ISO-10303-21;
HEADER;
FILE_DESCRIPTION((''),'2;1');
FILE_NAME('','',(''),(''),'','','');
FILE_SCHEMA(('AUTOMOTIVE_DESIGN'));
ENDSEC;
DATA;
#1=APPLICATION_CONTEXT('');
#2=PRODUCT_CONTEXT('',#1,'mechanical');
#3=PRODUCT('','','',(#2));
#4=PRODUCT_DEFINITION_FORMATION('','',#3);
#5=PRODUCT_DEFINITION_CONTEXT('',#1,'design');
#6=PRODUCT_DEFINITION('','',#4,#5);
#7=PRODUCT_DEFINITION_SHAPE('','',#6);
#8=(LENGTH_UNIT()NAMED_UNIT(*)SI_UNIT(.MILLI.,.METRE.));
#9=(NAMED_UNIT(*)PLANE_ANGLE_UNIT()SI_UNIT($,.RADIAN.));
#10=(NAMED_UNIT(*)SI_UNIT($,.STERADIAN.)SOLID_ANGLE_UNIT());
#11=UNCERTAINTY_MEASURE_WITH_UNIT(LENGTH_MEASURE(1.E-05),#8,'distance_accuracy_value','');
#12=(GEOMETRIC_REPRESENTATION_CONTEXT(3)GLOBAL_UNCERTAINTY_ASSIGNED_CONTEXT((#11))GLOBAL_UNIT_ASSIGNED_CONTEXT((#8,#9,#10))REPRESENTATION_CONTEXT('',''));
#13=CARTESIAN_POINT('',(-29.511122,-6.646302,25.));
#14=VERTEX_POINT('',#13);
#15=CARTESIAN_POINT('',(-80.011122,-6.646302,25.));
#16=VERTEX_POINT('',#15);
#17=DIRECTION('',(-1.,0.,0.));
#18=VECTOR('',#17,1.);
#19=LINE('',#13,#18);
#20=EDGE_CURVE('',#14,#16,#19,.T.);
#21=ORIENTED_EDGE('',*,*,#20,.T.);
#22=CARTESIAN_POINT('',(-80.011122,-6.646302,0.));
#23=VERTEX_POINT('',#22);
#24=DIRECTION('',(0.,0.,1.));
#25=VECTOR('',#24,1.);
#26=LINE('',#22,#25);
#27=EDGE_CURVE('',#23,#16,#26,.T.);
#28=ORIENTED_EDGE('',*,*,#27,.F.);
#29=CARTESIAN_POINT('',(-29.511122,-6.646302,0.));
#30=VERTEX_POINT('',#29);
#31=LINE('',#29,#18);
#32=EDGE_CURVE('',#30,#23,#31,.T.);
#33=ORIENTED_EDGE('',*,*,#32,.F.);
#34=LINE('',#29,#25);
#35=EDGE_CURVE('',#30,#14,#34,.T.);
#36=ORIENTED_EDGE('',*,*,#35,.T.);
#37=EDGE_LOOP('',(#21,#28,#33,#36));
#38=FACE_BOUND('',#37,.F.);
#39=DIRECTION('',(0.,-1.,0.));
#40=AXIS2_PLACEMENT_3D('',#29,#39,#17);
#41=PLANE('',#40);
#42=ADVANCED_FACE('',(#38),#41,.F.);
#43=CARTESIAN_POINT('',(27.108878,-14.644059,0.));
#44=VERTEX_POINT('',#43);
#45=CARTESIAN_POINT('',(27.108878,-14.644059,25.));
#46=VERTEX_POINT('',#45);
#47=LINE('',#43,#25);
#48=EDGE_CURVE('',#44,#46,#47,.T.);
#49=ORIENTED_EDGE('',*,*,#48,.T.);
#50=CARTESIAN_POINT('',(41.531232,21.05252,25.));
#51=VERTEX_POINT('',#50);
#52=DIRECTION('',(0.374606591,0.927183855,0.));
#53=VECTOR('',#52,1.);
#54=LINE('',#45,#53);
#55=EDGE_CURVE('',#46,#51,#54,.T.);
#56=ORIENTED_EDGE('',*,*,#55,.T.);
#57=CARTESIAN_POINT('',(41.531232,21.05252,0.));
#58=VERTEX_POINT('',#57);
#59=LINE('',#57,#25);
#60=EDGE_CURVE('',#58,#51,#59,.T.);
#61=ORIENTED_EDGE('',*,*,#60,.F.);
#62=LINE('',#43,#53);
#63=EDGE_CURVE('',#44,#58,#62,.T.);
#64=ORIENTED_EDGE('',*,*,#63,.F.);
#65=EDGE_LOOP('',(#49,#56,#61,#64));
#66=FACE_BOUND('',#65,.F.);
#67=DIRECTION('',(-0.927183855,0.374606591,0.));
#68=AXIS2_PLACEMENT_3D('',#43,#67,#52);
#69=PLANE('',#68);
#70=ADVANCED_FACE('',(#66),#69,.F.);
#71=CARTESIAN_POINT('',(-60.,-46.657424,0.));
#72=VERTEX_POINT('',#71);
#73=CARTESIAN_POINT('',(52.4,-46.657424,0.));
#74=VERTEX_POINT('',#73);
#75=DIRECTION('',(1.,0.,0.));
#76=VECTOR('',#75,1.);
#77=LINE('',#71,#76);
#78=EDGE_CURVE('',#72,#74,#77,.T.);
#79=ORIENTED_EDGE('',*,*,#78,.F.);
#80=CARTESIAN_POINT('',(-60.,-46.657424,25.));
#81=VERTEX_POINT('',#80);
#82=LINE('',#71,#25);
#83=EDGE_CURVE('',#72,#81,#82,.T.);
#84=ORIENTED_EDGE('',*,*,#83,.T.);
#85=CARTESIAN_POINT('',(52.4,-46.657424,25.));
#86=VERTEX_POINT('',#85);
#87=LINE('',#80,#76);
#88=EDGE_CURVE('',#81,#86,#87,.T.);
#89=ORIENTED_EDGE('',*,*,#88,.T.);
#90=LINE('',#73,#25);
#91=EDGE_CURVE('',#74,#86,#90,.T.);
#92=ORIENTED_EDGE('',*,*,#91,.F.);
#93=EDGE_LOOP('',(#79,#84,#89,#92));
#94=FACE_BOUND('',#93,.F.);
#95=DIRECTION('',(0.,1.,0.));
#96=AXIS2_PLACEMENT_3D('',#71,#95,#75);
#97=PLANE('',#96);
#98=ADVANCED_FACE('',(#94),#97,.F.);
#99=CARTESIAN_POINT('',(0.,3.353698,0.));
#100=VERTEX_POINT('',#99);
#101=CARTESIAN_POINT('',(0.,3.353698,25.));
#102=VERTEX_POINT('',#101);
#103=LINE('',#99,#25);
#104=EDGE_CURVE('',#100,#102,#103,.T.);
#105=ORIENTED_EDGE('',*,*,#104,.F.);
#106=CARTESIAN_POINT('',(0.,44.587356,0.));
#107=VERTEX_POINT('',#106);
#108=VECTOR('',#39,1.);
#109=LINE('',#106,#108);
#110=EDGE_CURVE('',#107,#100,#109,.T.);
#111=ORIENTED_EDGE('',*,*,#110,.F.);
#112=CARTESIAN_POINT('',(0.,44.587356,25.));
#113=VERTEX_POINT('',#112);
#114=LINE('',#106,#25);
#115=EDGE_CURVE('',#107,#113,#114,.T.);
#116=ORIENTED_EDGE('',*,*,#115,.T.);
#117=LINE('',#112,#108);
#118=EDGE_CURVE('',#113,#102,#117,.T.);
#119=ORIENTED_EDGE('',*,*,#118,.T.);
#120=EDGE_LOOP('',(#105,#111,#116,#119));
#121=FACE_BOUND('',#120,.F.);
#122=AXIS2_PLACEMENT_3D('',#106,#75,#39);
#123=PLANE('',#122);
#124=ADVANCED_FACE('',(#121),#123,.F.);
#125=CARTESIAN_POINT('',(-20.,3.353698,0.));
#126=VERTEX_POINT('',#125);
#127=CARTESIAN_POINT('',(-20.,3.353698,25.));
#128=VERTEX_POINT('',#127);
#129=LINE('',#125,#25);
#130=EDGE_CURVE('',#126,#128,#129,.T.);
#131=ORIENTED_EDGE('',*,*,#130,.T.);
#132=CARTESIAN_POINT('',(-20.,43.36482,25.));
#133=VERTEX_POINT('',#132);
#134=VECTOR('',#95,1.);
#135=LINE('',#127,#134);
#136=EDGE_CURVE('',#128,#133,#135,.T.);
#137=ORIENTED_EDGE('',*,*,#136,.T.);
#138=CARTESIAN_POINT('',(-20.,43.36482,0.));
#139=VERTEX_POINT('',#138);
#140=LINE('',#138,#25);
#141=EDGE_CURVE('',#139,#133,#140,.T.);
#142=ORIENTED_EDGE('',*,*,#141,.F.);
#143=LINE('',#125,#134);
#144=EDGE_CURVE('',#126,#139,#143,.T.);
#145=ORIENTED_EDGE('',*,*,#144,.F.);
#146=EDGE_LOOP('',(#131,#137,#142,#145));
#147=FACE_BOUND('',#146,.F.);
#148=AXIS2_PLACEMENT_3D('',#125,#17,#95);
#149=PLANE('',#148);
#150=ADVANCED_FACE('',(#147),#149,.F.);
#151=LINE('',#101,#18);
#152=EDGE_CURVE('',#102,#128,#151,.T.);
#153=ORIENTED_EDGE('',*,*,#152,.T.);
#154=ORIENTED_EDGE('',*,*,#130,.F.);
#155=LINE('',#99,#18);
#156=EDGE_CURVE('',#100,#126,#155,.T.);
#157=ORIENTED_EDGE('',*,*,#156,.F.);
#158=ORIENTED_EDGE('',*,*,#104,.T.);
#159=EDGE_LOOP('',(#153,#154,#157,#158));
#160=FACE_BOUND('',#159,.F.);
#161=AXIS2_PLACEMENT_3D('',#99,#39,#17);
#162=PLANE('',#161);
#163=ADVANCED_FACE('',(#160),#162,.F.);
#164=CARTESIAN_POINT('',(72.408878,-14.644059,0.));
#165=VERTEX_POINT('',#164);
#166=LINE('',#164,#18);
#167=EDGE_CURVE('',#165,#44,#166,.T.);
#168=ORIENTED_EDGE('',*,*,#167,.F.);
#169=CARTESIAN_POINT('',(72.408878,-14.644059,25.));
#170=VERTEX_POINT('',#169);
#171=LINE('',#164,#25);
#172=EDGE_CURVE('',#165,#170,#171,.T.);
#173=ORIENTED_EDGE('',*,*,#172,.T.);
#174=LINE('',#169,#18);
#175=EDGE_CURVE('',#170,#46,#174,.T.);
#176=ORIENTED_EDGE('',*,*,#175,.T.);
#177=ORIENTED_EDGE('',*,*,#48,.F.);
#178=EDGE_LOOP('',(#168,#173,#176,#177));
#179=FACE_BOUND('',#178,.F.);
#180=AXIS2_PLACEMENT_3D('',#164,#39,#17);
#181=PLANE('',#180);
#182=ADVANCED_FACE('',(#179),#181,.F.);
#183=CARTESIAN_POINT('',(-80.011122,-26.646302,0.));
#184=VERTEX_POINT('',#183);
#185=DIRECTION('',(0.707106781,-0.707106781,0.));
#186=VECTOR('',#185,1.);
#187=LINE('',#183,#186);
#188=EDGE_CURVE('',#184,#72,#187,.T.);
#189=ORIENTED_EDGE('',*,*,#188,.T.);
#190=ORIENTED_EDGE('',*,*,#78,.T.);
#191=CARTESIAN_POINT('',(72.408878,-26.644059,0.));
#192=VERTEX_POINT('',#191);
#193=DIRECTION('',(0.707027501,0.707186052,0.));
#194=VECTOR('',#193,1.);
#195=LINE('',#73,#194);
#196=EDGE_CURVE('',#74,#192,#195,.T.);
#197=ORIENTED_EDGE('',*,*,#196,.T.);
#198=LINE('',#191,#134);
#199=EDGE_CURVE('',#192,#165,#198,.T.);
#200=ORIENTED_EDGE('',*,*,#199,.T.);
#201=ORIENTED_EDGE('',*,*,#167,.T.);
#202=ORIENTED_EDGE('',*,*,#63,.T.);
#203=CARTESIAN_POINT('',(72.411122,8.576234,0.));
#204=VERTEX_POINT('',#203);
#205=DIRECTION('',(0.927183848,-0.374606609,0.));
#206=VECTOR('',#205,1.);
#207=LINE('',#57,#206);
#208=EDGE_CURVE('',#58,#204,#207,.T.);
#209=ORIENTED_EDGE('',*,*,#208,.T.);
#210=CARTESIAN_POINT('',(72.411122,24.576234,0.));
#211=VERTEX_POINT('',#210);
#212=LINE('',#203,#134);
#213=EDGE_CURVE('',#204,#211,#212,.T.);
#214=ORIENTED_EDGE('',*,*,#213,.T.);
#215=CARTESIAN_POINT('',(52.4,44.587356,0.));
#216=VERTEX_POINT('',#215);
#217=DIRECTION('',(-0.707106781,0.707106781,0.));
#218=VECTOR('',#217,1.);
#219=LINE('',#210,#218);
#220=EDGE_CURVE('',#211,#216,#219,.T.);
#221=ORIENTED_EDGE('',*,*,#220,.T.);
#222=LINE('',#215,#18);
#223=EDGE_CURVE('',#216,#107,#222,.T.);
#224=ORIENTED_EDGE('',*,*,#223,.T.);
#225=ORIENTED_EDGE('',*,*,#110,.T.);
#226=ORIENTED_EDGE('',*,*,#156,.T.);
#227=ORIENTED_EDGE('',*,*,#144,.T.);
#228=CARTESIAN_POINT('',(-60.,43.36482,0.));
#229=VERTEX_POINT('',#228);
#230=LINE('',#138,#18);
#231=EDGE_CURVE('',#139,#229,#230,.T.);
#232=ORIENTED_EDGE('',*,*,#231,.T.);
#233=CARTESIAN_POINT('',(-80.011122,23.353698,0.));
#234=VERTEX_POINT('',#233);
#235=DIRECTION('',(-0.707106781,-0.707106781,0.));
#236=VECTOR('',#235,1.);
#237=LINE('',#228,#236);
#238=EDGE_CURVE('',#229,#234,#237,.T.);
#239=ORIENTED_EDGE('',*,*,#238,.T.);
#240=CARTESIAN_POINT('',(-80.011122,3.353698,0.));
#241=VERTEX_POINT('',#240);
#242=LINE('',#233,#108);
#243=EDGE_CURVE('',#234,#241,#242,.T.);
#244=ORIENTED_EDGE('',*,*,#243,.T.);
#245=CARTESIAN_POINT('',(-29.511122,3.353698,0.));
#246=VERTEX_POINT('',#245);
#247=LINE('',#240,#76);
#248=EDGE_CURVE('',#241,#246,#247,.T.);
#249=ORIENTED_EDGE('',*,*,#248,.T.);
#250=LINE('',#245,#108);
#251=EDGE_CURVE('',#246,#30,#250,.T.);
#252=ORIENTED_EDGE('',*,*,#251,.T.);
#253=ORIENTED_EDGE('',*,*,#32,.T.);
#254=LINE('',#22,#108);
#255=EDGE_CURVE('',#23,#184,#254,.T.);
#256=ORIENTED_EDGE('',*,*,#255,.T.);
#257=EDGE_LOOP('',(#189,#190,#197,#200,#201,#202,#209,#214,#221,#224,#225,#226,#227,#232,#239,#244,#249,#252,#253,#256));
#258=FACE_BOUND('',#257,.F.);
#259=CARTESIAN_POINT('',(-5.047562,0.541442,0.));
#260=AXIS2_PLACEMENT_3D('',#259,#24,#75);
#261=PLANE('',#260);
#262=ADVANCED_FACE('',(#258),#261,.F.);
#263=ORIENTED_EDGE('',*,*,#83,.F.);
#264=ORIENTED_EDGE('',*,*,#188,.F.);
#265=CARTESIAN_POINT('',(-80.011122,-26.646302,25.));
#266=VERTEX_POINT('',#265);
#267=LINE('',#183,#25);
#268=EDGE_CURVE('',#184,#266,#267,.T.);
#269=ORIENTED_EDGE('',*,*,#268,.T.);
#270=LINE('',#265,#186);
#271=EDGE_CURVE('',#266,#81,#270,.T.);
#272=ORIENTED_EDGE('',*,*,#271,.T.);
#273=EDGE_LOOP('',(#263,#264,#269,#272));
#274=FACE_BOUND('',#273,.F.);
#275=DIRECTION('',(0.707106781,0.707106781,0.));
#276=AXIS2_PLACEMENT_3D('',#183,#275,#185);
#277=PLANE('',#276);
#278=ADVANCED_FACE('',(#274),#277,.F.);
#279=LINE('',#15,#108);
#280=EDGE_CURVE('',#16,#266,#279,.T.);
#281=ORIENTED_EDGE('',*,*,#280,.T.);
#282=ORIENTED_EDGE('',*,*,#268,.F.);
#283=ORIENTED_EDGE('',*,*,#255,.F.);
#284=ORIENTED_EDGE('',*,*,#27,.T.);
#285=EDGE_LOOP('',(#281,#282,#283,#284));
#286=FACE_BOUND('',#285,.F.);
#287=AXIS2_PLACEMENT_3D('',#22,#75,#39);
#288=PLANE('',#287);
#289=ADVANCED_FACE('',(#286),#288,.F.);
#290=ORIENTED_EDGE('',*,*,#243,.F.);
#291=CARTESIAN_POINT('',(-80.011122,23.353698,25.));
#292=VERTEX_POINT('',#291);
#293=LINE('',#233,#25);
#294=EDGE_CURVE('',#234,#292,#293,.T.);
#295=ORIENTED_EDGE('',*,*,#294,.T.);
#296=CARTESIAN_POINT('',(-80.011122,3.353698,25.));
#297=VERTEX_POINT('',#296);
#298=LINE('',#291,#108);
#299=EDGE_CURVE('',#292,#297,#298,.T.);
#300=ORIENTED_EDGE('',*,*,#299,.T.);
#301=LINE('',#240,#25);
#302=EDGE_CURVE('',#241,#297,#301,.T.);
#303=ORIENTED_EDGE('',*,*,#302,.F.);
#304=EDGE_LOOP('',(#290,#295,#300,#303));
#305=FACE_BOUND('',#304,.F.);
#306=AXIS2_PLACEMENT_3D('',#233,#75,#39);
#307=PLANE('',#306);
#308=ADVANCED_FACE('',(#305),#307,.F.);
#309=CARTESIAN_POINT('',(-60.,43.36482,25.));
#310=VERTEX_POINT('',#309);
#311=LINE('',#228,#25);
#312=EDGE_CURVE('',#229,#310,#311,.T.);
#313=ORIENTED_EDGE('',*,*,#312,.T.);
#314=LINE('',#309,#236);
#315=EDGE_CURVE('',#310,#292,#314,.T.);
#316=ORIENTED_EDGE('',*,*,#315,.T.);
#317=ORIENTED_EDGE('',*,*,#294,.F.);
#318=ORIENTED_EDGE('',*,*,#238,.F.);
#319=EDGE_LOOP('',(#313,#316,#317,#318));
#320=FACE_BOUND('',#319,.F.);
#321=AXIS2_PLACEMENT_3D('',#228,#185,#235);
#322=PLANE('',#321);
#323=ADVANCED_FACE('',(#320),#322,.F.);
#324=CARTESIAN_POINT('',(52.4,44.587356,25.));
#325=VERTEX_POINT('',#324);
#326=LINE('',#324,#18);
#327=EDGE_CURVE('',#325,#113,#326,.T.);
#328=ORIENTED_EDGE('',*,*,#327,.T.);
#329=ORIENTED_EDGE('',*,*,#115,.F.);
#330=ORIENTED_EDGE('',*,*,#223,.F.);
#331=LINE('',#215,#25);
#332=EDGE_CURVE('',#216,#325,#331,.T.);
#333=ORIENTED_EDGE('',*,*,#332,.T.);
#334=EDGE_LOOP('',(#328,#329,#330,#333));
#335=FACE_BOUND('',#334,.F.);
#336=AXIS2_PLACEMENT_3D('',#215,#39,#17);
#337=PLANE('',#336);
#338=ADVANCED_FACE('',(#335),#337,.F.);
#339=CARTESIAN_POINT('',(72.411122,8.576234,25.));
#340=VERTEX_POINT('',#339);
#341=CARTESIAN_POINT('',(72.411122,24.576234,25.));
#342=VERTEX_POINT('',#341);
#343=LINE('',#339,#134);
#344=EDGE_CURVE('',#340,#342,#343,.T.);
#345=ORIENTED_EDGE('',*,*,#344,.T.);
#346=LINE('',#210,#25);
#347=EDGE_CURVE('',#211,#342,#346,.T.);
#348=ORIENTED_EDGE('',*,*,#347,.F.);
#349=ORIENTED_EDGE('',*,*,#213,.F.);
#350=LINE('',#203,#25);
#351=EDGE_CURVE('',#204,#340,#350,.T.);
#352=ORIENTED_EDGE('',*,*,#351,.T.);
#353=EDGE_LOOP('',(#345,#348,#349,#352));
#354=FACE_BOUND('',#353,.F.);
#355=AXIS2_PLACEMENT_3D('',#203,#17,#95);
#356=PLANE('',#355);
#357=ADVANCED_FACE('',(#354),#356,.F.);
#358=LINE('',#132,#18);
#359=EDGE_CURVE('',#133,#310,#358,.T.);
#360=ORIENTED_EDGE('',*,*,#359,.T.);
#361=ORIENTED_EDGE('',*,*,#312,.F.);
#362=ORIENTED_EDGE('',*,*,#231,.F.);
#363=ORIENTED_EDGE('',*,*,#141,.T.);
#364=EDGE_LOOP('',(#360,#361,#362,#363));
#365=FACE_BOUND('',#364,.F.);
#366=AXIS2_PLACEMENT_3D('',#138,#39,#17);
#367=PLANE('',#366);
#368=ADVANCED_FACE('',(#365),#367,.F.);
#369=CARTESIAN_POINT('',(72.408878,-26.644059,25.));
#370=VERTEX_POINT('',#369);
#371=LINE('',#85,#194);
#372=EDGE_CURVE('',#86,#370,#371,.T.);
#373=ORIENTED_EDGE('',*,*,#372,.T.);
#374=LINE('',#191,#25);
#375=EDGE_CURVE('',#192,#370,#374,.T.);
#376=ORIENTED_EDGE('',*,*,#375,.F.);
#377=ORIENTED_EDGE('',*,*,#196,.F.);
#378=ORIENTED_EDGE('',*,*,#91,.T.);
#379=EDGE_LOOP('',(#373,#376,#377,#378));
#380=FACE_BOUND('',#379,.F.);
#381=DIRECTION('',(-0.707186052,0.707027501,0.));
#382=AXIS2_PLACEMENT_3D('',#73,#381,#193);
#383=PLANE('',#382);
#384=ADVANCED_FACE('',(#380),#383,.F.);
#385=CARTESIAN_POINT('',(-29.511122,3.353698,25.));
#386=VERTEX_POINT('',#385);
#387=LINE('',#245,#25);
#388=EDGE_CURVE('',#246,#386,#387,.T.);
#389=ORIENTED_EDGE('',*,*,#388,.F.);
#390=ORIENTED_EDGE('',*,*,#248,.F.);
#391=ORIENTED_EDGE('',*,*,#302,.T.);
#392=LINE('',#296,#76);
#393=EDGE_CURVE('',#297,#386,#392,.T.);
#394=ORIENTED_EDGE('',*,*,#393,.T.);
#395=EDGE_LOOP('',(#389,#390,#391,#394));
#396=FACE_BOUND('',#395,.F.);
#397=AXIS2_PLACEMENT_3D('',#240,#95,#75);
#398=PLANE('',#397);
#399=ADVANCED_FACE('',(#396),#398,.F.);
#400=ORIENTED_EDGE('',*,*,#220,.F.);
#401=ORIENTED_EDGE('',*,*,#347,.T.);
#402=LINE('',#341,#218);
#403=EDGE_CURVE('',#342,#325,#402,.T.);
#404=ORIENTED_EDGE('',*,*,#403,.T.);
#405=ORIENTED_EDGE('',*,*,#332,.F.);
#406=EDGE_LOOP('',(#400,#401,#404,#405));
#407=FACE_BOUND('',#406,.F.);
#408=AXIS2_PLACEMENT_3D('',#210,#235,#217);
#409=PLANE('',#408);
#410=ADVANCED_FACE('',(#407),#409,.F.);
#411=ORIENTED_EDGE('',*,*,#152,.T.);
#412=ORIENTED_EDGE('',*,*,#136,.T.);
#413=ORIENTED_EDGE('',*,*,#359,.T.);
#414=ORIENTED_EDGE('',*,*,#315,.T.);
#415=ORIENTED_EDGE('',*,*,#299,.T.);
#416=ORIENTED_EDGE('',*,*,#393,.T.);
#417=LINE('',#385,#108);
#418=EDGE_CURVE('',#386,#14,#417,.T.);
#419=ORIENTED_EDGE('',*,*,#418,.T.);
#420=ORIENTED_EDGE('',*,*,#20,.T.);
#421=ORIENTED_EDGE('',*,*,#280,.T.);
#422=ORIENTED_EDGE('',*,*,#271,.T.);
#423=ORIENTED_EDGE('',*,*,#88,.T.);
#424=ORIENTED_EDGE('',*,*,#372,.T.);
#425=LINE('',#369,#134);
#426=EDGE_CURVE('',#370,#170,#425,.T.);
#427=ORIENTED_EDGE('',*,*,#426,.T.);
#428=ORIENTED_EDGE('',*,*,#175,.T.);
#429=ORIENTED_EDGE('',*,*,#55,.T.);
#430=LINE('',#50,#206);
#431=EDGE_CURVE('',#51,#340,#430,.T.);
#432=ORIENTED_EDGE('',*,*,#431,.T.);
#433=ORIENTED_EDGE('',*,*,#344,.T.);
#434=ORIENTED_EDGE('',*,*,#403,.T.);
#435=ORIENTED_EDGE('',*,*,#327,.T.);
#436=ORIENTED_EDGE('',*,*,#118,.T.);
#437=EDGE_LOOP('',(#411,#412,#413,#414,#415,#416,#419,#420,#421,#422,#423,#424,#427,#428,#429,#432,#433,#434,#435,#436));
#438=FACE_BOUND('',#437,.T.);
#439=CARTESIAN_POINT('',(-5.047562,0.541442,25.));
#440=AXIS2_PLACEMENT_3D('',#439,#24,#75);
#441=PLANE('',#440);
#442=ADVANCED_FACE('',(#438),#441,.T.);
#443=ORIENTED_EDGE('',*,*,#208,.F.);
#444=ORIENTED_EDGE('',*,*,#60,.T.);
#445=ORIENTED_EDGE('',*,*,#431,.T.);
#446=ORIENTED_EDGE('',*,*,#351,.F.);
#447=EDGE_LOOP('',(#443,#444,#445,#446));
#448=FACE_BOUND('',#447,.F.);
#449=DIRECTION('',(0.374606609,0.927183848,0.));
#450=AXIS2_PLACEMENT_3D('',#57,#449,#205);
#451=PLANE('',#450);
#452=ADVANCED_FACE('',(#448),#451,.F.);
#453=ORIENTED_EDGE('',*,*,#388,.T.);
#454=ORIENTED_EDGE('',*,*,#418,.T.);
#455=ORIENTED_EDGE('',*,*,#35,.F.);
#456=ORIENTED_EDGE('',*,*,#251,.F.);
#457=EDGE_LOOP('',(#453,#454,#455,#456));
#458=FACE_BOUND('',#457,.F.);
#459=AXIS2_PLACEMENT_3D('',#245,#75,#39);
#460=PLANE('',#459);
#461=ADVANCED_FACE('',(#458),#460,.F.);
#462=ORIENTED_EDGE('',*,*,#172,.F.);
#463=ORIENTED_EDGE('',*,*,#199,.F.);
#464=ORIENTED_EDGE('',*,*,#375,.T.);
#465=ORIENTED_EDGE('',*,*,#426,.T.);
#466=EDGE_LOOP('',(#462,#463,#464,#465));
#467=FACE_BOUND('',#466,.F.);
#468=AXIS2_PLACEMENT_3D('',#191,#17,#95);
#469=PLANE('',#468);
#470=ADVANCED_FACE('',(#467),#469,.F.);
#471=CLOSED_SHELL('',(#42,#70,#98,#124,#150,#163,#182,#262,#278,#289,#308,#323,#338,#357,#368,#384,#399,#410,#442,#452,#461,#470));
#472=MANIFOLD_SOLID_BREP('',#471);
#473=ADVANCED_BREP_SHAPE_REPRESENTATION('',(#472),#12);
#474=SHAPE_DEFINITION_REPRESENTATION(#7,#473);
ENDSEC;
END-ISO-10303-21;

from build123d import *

# Parameters (mm, degrees)
F1_DEPTH = 25


with BuildPart() as f1:
    # F0 (on Top) → F1 (new body)
    with BuildSketch(Plane.XY):
        Polygon((-80.011122, -26.646302), (-60, -46.657424), (52.4, -46.657424), (72.408878, -26.644059), (72.408878, -14.644059), (27.108878, -14.644059), (41.531232, 21.05252), (72.411122, 8.576234), (72.411122, 24.576234), (52.4, 44.587356), (0, 44.587356), (0, 3.353698), (-20, 3.353698), (-20, 43.36482), (-60, 43.36482), (-80.011122, 23.353698), (-80.011122, 3.353698), (-29.511122, 3.353698), (-29.511122, -6.646302), (-80.011122, -6.646302), align=None)
    extrude(amount=F1_DEPTH)


solid = f1.part
